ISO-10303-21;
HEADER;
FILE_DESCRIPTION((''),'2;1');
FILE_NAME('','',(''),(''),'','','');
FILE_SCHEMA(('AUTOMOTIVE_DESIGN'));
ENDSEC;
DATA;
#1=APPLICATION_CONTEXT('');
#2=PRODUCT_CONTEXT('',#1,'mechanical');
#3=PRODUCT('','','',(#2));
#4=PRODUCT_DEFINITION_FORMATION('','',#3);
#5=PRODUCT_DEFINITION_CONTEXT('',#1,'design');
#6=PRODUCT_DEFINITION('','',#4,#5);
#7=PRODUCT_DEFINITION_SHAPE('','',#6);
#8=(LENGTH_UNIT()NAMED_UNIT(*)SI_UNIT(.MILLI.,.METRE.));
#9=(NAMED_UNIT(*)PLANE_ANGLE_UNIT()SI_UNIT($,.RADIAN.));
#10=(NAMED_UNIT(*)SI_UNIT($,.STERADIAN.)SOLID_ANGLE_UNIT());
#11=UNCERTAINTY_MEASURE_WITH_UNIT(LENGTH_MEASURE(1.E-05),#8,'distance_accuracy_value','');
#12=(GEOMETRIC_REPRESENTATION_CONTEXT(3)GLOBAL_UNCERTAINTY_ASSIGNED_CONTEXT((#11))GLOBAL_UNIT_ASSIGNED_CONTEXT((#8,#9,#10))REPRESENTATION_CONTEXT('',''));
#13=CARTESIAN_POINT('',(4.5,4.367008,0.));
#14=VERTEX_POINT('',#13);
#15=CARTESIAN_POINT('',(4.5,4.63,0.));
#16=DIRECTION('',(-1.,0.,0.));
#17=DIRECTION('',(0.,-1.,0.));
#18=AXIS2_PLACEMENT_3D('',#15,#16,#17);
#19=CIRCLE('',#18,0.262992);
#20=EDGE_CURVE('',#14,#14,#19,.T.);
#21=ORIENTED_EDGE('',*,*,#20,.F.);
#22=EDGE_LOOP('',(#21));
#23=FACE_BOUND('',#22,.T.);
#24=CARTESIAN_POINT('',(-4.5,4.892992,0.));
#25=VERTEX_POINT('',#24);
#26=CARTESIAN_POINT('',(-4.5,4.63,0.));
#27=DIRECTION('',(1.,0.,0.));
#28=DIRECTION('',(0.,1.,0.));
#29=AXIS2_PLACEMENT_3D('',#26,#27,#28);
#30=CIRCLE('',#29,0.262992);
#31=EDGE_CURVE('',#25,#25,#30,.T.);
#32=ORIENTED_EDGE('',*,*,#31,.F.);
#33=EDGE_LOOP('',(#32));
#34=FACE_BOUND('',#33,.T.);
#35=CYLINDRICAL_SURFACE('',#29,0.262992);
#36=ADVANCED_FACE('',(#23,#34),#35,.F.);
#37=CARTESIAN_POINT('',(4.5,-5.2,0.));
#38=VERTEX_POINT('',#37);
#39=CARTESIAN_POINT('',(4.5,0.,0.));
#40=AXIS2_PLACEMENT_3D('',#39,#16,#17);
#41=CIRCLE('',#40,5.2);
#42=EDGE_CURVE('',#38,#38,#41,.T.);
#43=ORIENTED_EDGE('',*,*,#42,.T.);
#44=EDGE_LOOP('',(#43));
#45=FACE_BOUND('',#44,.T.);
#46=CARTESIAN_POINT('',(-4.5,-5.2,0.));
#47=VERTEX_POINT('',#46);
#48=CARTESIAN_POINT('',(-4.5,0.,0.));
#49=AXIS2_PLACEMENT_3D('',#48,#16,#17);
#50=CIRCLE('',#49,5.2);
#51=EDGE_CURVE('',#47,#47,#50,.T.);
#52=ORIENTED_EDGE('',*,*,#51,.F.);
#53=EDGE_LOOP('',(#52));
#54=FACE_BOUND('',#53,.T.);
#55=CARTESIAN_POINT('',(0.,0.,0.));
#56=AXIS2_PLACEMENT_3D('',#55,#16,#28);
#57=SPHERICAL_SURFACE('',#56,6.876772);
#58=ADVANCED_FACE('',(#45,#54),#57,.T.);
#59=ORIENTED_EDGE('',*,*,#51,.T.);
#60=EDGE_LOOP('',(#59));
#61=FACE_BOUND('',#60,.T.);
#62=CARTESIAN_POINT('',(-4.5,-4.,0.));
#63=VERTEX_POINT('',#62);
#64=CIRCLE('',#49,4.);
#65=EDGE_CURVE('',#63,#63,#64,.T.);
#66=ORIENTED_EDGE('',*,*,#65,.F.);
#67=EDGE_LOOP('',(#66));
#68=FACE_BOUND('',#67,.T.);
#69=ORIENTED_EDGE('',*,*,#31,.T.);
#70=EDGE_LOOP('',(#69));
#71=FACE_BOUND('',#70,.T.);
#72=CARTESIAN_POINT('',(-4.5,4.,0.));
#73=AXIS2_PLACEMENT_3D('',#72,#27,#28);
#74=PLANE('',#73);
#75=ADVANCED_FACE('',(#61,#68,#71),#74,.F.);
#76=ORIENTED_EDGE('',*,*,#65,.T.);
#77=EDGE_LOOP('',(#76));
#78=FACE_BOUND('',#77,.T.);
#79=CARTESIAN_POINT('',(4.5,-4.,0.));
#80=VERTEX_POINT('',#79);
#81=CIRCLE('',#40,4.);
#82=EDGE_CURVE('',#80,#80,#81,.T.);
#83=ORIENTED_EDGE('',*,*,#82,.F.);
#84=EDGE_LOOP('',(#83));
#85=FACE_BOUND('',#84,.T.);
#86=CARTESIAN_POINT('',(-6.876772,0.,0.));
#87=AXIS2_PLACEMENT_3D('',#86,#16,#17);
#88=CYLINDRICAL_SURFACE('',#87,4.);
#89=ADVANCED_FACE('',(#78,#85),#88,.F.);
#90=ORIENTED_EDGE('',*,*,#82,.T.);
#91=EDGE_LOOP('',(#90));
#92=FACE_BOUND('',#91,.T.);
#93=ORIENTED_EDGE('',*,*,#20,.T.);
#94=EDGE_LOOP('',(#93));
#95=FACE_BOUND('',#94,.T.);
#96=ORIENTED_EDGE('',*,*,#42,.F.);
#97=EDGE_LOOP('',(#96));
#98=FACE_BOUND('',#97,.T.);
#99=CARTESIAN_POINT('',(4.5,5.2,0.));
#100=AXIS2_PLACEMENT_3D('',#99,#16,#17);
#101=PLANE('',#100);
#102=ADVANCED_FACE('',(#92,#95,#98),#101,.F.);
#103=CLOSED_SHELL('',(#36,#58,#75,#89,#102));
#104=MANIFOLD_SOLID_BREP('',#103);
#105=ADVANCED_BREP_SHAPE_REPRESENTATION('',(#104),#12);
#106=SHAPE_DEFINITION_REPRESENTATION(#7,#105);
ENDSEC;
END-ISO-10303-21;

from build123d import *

# Parameters (mm, degrees)
SKETCH2_R               = 0.262991614
CUT_EXTRUDE1_DEPTH      = 1
CUT_EXTRUDE1_DEPTH_BACK = 10


with BuildPart() as part:
    # Sketch1 → Revolve1 (revolve)
    with BuildSketch(Plane.XY):
        with BuildLine():
            Line((-4.5, 4), (-4.5, 5.2))
            ThreePointArc((-4.5, 5.2), (0, 6.876772499), (4.5, 5.2))
            Line((4.5, 5.2), (4.5, 4))
            Line((4.5, 4), (-4.5, 4))
        make_face()
    revolve(axis=Axis((-6.876772499, 0, 0), (1, 0, 0)))

    # Sketch2 → Cut-Extrude1 (cut, two sides)
    with BuildSketch(Plane(origin=(4.5, 0, 0), x_dir=(0, 0, -1), z_dir=(1, 0, 0))) as cut_extrude1_sk:
        with Locations((0, 4.63)):
            Circle(SKETCH2_R)
    extrude(amount=CUT_EXTRUDE1_DEPTH, mode=Mode.SUBTRACT)
    extrude(cut_extrude1_sk.sketch, amount=-CUT_EXTRUDE1_DEPTH_BACK, mode=Mode.SUBTRACT)


solid = part.part
